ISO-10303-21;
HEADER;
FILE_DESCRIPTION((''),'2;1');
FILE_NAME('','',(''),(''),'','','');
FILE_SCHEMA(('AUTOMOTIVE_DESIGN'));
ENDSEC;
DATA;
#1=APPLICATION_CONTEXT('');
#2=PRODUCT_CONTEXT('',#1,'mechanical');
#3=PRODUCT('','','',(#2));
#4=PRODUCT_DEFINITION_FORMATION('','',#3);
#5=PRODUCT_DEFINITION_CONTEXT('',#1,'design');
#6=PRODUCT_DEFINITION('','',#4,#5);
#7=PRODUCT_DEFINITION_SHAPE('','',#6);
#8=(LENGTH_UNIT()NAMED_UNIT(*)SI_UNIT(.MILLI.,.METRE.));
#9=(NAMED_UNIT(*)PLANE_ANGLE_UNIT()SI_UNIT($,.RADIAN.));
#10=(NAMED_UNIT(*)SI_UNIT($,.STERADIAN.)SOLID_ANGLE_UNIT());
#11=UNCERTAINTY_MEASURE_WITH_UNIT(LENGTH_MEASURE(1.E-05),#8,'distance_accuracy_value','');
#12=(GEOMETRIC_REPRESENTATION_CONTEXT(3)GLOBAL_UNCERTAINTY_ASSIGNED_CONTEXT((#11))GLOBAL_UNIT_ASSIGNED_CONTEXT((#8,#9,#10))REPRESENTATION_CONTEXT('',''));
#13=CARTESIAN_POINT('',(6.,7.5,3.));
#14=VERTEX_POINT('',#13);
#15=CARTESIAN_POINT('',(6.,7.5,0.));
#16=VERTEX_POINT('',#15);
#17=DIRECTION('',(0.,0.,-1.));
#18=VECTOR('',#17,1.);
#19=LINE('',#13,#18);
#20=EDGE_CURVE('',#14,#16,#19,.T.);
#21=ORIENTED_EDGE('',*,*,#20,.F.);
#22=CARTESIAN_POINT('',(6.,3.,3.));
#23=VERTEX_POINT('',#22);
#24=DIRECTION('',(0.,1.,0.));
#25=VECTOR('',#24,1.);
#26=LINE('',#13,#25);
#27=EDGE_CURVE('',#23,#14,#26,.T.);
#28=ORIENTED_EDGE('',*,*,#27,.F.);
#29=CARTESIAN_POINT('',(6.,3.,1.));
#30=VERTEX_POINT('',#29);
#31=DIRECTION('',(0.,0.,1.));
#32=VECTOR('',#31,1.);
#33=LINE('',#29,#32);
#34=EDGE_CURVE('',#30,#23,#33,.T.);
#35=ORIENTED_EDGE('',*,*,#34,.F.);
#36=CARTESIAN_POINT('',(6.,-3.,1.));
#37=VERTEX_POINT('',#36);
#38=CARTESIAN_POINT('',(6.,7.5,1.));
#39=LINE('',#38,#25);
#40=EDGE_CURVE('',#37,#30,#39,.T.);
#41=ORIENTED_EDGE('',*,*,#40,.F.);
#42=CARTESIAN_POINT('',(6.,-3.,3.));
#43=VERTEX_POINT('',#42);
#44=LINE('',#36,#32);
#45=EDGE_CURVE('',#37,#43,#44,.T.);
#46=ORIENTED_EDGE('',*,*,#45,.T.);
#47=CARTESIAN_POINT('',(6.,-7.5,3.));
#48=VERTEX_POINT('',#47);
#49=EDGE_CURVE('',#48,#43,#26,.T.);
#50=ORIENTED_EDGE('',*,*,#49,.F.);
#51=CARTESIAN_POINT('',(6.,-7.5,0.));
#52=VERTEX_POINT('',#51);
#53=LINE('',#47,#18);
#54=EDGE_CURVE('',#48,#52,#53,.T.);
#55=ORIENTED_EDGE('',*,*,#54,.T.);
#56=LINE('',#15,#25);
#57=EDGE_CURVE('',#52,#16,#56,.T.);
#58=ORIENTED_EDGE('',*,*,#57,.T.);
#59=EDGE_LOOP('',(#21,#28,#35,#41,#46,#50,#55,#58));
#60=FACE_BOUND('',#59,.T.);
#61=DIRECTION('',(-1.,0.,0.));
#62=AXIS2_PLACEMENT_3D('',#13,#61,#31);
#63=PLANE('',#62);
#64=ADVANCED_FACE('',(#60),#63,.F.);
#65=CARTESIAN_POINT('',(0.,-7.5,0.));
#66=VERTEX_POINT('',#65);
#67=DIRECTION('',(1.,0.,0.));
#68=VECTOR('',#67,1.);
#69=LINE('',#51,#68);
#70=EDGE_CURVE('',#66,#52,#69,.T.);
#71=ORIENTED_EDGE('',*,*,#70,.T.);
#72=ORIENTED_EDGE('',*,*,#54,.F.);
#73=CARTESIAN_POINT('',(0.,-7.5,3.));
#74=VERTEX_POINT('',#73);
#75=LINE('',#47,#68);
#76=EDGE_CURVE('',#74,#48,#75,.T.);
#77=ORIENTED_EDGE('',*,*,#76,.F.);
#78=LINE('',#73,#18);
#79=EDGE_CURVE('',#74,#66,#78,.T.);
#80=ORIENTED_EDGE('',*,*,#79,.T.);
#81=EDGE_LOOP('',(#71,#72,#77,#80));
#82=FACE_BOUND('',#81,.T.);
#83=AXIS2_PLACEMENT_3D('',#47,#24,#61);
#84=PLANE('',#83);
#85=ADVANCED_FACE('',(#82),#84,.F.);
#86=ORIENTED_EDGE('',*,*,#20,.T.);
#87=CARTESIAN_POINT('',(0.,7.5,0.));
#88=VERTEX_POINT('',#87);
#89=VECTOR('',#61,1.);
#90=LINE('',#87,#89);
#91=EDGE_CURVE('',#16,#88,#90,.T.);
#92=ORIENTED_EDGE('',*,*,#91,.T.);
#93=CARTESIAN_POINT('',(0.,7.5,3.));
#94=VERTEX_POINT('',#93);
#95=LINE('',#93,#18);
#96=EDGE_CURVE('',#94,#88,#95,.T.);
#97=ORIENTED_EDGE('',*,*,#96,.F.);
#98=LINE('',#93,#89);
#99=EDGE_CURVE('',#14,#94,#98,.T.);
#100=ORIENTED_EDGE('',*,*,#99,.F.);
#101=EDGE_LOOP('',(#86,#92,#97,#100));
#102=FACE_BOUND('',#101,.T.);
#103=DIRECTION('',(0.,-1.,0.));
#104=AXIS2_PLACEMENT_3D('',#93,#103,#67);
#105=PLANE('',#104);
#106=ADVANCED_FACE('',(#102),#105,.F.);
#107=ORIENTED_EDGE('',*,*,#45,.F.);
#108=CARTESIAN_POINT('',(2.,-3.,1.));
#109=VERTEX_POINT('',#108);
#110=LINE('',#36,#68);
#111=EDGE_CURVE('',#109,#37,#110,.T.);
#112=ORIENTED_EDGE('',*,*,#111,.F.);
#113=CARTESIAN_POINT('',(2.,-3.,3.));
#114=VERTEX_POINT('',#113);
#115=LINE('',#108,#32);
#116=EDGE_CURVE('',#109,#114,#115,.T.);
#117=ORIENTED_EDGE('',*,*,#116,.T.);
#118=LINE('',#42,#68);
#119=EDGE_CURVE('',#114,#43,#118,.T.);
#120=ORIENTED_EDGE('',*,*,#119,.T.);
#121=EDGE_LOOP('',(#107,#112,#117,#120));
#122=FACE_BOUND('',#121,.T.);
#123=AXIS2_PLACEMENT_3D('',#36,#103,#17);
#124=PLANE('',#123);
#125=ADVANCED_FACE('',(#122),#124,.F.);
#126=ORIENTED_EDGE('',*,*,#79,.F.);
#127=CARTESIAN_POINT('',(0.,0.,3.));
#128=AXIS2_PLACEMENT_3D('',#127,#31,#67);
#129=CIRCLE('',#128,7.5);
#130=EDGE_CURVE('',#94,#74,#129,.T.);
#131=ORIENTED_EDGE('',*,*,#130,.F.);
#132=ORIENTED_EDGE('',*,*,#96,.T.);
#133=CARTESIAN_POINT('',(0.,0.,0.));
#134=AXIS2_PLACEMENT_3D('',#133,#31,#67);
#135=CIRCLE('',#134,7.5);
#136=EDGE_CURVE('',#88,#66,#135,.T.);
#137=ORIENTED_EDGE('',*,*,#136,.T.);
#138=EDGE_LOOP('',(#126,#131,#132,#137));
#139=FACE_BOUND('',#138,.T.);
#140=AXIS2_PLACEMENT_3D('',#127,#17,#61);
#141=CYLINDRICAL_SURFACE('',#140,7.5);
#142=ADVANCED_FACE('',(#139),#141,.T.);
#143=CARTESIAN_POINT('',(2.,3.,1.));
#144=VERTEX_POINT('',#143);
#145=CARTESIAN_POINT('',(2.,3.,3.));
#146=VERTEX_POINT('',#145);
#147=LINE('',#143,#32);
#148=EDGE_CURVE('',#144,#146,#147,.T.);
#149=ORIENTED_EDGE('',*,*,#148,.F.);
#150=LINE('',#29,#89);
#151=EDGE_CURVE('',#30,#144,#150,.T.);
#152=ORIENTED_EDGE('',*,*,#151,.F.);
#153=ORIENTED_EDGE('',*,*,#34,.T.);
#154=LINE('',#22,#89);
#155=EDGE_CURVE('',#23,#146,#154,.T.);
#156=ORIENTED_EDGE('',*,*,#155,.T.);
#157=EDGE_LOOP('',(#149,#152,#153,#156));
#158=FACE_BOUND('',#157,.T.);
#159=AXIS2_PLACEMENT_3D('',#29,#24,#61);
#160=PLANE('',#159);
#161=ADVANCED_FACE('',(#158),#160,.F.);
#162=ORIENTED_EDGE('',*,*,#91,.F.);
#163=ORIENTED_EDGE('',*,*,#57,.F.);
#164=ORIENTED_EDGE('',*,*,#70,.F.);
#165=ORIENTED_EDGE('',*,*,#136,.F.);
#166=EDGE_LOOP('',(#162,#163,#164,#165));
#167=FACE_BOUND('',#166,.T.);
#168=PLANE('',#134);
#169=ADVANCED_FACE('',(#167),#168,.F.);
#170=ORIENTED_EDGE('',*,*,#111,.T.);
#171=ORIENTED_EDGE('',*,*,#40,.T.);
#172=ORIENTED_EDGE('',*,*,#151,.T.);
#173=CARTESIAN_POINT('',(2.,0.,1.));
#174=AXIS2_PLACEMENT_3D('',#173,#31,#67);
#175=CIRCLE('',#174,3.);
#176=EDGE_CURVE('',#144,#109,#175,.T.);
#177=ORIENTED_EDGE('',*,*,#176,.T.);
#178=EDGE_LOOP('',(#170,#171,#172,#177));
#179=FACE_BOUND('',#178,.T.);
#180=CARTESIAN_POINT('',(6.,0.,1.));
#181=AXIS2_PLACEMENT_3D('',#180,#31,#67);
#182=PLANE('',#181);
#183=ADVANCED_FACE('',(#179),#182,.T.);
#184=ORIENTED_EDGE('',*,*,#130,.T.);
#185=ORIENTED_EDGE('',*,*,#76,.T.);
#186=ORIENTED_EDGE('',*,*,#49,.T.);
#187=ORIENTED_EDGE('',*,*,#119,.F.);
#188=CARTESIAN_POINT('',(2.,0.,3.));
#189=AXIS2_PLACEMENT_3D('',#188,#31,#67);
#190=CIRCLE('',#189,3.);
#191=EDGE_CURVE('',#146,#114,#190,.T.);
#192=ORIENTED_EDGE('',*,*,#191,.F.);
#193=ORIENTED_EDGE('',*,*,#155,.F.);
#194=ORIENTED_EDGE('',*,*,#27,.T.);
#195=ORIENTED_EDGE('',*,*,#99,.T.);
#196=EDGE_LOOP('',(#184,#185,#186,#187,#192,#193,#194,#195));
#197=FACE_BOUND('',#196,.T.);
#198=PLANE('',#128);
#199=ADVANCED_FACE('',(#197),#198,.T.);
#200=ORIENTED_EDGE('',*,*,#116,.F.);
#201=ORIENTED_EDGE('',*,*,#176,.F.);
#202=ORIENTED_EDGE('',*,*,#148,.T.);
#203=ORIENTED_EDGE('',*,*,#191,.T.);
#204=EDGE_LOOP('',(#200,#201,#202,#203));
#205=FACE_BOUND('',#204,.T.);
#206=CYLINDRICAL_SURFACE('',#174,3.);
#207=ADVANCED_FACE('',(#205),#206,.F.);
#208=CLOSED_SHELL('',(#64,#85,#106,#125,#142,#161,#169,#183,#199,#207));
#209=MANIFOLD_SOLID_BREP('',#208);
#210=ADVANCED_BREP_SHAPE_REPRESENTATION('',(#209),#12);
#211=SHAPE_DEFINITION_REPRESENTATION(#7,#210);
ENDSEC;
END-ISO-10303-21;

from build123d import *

# Parameters (mm, degrees)
EXTRUDE_1_DEPTH     = 3
CUT_EXTRUDE_1_DEPTH = 2


with BuildPart() as part:
    # Эскиз1 → Бобышка-Вытянуть1 (new body)
    with BuildSketch(Plane.XY):
        with BuildLine():
            Line((0, 7.5), (6, 7.5))
            Line((6, 7.5), (6, -7.5))
            Line((6, -7.5), (0, -7.5))
            ThreePointArc((0, -7.5), (-7.5, 0), (0, 7.5))
        make_face()
    extrude(amount=EXTRUDE_1_DEPTH)

    # Эскиз2 → Вырез-Вытянуть1 (cut)
    with BuildSketch(Plane.XY.offset(3)):
        with BuildLine():
            Line((6, -3), (2, -3))
            ThreePointArc((2, -3), (-1, 0), (2, 3))
            Line((2, 3), (6, 3))
            ThreePointArc((6, 3), (9, 0), (6, -3))
        make_face()
    extrude(amount=-CUT_EXTRUDE_1_DEPTH, mode=Mode.SUBTRACT)


solid = part.part
